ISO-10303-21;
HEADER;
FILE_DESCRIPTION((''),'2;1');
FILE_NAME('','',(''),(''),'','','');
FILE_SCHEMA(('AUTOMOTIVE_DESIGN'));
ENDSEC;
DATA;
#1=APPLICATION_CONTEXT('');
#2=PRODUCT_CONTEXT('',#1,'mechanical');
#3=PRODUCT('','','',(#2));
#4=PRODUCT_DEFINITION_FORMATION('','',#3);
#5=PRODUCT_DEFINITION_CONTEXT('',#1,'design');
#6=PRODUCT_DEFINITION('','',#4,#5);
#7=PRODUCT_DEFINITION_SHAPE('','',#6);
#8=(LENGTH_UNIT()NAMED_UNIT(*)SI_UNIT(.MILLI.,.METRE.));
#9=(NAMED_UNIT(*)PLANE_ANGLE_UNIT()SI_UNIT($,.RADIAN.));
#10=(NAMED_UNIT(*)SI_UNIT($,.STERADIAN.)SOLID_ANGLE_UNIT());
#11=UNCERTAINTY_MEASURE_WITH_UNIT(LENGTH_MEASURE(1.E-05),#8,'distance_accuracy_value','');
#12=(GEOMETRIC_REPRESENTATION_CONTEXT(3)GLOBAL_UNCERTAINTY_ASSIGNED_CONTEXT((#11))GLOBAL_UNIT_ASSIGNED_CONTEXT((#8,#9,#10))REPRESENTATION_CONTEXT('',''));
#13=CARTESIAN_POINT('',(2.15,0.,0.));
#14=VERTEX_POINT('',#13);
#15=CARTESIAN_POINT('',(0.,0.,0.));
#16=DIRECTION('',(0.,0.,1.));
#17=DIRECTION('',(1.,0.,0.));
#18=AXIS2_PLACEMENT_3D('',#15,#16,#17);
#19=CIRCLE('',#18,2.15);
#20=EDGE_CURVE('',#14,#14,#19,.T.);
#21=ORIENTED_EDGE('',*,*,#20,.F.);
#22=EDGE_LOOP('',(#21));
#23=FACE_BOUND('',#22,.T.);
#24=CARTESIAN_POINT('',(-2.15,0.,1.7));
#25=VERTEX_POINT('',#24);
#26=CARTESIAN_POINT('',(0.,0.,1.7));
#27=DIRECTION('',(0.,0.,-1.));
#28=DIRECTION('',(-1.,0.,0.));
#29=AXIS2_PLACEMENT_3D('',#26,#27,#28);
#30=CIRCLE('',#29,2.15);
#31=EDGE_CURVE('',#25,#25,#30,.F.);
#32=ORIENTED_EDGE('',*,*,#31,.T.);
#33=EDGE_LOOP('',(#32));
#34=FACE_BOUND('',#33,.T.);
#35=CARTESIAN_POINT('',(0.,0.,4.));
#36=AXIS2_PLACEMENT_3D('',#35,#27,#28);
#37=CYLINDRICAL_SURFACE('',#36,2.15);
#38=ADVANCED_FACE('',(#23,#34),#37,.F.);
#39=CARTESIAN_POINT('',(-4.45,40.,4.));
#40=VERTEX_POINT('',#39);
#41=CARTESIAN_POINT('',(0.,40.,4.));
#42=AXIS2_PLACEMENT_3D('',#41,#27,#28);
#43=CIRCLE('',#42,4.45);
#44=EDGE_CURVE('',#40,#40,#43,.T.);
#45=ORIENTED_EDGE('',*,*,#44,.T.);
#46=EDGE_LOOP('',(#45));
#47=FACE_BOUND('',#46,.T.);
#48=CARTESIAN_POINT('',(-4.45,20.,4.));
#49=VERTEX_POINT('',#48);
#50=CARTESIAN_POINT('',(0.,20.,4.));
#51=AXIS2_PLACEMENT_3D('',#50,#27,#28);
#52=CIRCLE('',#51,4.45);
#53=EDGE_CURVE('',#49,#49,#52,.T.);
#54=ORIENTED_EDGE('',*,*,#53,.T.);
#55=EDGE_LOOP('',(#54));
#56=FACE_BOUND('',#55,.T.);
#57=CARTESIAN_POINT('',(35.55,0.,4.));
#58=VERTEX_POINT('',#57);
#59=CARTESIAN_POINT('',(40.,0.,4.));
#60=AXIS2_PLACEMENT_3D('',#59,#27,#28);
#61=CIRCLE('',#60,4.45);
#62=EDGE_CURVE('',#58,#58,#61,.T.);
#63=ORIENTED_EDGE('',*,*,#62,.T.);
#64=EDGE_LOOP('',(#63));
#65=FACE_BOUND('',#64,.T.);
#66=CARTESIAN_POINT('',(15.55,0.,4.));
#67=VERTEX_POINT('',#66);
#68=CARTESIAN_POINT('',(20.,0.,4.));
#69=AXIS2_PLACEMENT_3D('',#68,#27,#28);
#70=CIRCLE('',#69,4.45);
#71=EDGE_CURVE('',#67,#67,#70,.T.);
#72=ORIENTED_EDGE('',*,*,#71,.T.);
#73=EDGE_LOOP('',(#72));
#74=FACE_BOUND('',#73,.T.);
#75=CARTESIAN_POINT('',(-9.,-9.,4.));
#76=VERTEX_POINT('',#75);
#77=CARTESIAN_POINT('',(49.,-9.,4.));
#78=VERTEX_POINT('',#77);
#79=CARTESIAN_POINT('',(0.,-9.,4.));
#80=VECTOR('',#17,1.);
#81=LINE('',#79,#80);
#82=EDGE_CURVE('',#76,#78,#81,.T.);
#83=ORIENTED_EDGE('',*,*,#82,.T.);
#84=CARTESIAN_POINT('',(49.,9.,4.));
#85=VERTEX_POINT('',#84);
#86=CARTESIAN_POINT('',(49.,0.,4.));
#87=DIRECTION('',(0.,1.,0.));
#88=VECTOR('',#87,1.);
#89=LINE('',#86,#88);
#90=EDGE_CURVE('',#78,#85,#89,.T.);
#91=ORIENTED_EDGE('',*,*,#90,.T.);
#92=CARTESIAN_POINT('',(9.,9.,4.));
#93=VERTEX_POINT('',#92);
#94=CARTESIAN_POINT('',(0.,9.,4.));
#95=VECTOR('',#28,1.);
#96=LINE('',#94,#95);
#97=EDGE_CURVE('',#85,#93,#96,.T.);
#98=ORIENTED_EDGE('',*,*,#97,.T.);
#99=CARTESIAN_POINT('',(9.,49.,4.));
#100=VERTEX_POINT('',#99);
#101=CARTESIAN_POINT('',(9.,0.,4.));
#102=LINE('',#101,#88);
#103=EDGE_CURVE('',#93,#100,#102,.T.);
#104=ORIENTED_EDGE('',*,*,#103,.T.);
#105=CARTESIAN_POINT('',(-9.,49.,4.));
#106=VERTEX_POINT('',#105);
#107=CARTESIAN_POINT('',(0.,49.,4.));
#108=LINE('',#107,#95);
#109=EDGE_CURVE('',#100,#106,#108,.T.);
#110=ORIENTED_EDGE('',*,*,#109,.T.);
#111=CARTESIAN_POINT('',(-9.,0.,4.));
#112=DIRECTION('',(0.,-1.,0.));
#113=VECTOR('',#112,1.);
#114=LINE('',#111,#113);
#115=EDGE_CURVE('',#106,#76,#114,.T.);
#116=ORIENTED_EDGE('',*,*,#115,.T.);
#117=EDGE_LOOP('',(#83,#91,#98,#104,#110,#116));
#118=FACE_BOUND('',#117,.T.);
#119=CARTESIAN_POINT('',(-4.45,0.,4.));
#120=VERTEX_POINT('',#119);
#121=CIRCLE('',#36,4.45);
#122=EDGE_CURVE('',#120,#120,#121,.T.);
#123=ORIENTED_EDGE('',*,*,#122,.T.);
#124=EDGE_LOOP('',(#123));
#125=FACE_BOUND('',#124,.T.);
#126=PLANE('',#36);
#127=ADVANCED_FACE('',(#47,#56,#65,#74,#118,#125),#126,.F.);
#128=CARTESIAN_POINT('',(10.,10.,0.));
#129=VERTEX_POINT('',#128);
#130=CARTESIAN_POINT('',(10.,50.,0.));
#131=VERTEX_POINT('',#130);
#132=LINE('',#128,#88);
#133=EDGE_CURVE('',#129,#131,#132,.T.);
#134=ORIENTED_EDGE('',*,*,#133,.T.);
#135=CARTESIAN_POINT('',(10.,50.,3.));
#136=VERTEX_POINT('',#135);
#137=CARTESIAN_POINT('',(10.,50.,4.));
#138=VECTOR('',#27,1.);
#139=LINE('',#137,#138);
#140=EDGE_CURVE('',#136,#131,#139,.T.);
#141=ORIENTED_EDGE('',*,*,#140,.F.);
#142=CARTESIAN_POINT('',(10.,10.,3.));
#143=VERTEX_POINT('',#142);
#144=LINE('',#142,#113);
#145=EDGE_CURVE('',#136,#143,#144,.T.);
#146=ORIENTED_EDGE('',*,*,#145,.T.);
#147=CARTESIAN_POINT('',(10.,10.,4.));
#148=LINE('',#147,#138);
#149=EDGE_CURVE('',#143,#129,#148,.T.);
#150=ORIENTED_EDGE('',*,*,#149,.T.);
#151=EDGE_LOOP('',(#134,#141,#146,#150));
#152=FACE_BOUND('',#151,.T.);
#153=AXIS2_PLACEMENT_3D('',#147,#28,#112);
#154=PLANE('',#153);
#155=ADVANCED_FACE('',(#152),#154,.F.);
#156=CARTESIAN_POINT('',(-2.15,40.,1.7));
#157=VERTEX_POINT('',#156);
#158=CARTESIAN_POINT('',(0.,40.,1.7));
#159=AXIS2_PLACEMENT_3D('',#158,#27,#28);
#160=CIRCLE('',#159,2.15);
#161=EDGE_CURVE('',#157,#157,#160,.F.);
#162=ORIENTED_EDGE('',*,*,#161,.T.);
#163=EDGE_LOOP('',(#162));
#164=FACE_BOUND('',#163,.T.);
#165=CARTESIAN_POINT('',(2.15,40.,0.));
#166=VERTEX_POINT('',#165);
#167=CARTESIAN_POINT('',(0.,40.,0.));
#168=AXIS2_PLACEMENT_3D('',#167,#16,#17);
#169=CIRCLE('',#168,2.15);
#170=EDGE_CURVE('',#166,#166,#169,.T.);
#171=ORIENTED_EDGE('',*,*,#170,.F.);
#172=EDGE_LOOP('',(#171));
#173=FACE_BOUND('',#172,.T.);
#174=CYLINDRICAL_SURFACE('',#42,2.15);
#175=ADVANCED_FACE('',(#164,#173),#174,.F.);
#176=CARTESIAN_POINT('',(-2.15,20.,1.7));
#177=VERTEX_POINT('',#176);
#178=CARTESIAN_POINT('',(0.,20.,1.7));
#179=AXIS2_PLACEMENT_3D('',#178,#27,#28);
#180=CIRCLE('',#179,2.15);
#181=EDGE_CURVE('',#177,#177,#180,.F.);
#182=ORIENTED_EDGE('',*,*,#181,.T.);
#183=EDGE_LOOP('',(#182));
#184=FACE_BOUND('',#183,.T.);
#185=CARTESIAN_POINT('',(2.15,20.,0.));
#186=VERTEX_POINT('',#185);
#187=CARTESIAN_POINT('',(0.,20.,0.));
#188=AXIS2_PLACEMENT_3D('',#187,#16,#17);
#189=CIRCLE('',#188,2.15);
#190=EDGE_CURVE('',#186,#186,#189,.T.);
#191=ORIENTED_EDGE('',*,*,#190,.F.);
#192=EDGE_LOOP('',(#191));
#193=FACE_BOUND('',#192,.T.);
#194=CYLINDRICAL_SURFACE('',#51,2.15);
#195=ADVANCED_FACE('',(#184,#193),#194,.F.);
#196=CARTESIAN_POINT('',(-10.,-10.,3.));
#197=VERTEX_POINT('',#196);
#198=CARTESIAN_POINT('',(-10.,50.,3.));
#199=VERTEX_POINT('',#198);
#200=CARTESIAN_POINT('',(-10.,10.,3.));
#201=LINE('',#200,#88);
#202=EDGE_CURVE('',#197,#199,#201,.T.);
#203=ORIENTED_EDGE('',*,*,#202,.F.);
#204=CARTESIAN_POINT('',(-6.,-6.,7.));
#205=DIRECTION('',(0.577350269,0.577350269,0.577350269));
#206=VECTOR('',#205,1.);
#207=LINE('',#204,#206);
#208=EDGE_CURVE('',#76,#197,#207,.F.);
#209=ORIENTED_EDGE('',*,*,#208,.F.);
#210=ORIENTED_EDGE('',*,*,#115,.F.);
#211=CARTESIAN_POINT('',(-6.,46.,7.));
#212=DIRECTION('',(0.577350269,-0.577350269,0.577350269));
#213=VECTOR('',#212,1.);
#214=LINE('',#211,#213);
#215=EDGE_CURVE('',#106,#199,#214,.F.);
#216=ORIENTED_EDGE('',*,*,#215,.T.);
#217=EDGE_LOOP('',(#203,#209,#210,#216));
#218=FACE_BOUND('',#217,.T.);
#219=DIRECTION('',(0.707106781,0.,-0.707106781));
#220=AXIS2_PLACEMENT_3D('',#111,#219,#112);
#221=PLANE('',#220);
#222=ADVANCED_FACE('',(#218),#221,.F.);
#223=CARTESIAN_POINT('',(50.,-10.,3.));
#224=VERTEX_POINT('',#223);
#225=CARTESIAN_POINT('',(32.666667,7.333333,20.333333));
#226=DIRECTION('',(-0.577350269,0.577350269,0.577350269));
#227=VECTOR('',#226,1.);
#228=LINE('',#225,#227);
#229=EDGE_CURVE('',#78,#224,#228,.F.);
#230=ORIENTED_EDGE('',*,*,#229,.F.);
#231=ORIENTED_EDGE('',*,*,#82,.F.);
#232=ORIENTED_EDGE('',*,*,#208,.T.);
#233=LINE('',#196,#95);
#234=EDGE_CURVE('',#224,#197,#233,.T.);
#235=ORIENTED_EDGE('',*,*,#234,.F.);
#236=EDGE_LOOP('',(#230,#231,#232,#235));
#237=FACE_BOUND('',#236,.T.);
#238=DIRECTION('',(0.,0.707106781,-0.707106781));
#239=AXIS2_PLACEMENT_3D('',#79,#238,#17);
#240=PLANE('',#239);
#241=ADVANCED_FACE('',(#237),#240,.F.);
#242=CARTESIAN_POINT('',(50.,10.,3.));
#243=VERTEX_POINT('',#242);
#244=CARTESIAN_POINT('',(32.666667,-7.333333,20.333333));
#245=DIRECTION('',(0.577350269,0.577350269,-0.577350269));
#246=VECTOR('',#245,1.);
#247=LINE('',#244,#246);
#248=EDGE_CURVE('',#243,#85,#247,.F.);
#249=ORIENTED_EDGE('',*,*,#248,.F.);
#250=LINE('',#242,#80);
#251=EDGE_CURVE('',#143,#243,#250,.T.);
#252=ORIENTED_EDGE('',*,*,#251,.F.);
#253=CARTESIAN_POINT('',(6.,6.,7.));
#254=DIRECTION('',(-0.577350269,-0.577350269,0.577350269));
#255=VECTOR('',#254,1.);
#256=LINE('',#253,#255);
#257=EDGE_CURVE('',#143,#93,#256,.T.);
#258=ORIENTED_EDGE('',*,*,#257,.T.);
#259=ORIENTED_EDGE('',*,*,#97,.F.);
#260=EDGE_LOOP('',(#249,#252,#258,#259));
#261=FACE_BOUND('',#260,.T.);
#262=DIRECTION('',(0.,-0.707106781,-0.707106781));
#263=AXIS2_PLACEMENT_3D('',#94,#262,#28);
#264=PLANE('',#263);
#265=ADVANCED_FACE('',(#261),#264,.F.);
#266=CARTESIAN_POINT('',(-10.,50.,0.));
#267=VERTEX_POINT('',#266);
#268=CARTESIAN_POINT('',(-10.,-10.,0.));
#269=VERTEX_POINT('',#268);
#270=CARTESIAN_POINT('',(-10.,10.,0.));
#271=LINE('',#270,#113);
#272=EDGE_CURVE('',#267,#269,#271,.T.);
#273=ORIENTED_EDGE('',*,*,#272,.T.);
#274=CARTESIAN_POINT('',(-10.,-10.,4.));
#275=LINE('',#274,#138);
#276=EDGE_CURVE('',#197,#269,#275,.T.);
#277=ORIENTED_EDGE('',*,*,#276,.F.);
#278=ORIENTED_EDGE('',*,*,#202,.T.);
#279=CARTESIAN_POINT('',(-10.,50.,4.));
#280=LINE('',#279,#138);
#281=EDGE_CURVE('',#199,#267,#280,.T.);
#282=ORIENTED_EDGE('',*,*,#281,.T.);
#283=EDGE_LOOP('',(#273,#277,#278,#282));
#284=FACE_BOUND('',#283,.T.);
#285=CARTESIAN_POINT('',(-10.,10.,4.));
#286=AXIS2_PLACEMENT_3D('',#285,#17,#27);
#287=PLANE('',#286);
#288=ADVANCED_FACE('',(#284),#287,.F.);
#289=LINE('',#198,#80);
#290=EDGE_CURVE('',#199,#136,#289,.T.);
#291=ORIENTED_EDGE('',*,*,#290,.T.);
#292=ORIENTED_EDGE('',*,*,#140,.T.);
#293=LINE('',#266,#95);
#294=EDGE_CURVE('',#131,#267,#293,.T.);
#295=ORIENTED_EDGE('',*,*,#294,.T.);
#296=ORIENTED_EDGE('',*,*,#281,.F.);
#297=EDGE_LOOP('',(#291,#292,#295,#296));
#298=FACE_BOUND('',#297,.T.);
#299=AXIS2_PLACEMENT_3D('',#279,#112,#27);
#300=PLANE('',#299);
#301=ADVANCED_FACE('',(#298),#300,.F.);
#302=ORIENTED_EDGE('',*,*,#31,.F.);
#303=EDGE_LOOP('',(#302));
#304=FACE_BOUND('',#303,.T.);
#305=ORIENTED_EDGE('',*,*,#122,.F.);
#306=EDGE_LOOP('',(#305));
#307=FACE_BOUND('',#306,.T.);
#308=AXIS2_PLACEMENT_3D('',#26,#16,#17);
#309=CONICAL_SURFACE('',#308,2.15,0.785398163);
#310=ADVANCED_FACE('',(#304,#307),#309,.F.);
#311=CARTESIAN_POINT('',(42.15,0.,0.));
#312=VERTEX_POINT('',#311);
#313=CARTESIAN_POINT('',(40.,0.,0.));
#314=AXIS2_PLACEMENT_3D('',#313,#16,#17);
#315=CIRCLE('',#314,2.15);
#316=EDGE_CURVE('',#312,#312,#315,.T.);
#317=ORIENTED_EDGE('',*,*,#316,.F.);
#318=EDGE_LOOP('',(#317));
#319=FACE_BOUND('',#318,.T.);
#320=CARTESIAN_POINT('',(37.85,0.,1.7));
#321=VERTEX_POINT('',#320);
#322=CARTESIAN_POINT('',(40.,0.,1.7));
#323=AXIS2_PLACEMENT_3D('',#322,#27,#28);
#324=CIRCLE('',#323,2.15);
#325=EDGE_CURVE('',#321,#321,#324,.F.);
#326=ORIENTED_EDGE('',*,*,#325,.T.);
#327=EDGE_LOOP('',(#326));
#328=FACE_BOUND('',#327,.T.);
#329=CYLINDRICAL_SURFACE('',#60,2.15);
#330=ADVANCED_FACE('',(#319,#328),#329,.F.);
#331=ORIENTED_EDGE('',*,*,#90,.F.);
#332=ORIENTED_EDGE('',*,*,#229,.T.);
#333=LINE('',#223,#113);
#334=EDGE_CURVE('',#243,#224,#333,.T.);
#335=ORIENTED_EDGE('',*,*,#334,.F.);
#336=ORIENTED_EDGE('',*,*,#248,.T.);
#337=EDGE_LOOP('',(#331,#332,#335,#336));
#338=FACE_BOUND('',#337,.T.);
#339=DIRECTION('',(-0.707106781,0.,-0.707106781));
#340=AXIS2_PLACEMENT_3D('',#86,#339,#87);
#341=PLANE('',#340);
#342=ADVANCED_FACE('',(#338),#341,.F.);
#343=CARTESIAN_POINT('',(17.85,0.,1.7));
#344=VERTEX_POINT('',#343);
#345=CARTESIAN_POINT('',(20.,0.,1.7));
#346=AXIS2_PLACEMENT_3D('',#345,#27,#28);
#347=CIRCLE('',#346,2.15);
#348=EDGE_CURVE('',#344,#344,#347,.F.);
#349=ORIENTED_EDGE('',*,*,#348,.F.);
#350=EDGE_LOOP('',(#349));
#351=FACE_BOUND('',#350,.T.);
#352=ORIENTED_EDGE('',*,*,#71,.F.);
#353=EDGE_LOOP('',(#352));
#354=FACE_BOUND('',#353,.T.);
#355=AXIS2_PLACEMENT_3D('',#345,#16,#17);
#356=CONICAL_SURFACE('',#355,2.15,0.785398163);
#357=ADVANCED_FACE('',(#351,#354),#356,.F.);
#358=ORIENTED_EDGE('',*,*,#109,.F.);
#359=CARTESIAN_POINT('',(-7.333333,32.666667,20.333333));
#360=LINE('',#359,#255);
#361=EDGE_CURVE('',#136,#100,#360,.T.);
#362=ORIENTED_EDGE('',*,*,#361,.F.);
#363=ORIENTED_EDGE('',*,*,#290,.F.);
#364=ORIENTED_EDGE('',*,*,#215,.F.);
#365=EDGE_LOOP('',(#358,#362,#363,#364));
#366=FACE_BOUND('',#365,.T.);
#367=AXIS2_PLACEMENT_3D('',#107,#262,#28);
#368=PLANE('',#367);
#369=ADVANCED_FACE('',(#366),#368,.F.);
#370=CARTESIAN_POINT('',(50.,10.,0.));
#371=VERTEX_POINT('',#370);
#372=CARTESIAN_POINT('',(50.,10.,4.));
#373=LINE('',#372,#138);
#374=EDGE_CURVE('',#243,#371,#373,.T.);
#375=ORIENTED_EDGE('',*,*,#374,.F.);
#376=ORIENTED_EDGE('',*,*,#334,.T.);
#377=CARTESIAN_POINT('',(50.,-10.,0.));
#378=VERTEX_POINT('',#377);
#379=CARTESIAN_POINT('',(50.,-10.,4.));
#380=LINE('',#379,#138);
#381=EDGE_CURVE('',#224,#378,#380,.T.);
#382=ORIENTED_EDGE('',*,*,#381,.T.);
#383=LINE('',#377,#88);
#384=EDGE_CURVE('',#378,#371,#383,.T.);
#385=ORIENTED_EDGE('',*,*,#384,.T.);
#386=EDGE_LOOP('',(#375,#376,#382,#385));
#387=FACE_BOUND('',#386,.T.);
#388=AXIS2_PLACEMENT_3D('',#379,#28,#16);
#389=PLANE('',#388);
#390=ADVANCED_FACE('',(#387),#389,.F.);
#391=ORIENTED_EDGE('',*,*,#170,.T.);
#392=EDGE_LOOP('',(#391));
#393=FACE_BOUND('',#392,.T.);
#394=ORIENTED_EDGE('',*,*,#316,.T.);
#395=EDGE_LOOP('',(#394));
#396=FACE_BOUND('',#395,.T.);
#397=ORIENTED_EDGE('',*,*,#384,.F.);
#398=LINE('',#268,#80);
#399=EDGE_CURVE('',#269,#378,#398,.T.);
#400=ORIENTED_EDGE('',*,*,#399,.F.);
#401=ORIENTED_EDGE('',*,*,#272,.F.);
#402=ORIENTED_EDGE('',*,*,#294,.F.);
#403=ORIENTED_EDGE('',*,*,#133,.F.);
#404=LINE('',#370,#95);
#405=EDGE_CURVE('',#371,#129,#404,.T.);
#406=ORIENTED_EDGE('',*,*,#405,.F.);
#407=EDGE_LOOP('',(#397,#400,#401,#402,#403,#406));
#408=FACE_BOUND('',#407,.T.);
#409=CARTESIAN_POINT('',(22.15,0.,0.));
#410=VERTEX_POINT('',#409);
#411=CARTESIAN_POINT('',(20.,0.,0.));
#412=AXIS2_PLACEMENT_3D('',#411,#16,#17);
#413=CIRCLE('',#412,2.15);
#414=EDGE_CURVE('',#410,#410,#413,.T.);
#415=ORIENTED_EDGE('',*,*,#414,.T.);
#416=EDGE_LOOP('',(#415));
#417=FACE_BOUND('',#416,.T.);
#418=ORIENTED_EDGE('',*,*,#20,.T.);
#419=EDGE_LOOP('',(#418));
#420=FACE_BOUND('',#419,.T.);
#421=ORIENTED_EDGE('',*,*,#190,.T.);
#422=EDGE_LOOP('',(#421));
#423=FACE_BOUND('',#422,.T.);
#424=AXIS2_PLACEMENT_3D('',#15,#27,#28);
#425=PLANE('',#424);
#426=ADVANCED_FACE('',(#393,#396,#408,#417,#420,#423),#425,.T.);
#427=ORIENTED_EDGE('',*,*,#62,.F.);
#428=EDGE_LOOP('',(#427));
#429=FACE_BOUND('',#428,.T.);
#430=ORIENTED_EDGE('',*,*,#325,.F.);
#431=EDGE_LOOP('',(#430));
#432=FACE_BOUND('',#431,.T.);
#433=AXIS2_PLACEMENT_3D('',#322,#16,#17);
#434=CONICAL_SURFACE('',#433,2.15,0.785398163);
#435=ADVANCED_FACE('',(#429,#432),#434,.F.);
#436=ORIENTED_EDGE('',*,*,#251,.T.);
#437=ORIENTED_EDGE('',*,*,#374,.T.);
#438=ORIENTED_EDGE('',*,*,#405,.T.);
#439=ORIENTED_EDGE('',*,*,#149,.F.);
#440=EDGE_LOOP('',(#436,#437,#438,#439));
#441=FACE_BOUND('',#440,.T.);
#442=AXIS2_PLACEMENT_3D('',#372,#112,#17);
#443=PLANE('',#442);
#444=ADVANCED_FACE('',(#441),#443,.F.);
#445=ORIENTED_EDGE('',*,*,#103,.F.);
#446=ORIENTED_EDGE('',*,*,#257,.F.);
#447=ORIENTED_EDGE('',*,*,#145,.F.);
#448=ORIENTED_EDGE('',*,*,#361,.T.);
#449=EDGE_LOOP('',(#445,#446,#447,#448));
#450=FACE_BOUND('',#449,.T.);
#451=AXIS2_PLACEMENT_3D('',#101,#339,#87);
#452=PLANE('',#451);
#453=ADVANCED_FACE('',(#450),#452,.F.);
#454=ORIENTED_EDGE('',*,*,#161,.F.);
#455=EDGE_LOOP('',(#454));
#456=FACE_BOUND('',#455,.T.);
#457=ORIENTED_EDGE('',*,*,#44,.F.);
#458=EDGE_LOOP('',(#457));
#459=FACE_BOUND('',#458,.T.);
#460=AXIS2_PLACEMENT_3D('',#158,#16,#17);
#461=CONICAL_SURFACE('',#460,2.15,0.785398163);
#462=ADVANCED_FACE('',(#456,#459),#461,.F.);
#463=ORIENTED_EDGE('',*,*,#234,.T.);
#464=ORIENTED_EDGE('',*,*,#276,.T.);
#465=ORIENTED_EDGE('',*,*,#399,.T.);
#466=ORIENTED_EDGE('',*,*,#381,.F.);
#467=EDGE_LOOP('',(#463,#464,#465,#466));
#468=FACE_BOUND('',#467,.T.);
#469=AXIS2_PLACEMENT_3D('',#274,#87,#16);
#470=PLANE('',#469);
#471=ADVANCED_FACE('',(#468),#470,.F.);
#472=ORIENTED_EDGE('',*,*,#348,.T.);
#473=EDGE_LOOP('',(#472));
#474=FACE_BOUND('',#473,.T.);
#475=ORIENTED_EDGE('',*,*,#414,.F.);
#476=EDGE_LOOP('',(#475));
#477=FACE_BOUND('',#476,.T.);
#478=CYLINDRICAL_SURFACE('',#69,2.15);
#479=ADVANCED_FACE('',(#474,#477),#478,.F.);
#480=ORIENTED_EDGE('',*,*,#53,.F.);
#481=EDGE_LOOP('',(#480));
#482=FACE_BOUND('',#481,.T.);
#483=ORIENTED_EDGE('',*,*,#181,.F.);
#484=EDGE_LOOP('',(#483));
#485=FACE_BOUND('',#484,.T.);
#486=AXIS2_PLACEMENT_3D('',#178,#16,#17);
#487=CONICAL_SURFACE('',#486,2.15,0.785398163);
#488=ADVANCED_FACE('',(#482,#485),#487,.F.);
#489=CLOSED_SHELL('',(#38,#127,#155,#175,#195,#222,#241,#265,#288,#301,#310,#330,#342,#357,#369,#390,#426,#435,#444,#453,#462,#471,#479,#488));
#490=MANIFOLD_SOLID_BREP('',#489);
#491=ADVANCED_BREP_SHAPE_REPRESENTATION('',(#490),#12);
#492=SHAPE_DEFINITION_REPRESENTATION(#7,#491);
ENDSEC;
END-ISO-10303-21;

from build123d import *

# Parameters (mm, degrees)
SKETCH1_R           = 2.15
BOSS_EXTRUDE1_DEPTH = 4
CHAMFER1_SIZE       = 1
CHAMFER2_SIZE       = 2.3


with BuildPart() as part:
    # Sketch1 → Boss-Extrude1 (new body)
    with BuildSketch(Plane.XY):
        Polygon((50, -10), (50, 10), (10, 10), (10, 50), (-10, 50), (-10, 10), (-10, -10), align=None)
        with Locations((0, 20)):
            Circle(SKETCH1_R, mode=Mode.SUBTRACT)
        with Locations((20, 0)):
            Circle(SKETCH1_R, mode=Mode.SUBTRACT)
        with Locations((0, 40)):
            Circle(SKETCH1_R, mode=Mode.SUBTRACT)
        Circle(SKETCH1_R, mode=Mode.SUBTRACT)
        with Locations((40, 0)):
            Circle(SKETCH1_R, mode=Mode.SUBTRACT)
    extrude(amount=BOSS_EXTRUDE1_DEPTH)

    # Chamfer1
    chamfer1_edges = [part.edges().sort_by_distance(p)[0] for p in [
        (0, 50, 4),
        (-10, 20, 4),
        (20, -10, 4),
        (50, 0, 4),
        (30, 10, 4),
        (10, 30, 4),
    ]]
    chamfer(chamfer1_edges, length=CHAMFER1_SIZE)

    # Chamfer2
    chamfer2_edges = [part.edges().sort_by_distance(p)[0] for p in [
        (17.85, 0, 4),
        (-2.15, 20, 4),
        (-2.15, 40, 4),
        (-2.15, 0, 4),
        (37.85, 0, 4),
    ]]
    chamfer(chamfer2_edges, length=CHAMFER2_SIZE)


solid = part.part
